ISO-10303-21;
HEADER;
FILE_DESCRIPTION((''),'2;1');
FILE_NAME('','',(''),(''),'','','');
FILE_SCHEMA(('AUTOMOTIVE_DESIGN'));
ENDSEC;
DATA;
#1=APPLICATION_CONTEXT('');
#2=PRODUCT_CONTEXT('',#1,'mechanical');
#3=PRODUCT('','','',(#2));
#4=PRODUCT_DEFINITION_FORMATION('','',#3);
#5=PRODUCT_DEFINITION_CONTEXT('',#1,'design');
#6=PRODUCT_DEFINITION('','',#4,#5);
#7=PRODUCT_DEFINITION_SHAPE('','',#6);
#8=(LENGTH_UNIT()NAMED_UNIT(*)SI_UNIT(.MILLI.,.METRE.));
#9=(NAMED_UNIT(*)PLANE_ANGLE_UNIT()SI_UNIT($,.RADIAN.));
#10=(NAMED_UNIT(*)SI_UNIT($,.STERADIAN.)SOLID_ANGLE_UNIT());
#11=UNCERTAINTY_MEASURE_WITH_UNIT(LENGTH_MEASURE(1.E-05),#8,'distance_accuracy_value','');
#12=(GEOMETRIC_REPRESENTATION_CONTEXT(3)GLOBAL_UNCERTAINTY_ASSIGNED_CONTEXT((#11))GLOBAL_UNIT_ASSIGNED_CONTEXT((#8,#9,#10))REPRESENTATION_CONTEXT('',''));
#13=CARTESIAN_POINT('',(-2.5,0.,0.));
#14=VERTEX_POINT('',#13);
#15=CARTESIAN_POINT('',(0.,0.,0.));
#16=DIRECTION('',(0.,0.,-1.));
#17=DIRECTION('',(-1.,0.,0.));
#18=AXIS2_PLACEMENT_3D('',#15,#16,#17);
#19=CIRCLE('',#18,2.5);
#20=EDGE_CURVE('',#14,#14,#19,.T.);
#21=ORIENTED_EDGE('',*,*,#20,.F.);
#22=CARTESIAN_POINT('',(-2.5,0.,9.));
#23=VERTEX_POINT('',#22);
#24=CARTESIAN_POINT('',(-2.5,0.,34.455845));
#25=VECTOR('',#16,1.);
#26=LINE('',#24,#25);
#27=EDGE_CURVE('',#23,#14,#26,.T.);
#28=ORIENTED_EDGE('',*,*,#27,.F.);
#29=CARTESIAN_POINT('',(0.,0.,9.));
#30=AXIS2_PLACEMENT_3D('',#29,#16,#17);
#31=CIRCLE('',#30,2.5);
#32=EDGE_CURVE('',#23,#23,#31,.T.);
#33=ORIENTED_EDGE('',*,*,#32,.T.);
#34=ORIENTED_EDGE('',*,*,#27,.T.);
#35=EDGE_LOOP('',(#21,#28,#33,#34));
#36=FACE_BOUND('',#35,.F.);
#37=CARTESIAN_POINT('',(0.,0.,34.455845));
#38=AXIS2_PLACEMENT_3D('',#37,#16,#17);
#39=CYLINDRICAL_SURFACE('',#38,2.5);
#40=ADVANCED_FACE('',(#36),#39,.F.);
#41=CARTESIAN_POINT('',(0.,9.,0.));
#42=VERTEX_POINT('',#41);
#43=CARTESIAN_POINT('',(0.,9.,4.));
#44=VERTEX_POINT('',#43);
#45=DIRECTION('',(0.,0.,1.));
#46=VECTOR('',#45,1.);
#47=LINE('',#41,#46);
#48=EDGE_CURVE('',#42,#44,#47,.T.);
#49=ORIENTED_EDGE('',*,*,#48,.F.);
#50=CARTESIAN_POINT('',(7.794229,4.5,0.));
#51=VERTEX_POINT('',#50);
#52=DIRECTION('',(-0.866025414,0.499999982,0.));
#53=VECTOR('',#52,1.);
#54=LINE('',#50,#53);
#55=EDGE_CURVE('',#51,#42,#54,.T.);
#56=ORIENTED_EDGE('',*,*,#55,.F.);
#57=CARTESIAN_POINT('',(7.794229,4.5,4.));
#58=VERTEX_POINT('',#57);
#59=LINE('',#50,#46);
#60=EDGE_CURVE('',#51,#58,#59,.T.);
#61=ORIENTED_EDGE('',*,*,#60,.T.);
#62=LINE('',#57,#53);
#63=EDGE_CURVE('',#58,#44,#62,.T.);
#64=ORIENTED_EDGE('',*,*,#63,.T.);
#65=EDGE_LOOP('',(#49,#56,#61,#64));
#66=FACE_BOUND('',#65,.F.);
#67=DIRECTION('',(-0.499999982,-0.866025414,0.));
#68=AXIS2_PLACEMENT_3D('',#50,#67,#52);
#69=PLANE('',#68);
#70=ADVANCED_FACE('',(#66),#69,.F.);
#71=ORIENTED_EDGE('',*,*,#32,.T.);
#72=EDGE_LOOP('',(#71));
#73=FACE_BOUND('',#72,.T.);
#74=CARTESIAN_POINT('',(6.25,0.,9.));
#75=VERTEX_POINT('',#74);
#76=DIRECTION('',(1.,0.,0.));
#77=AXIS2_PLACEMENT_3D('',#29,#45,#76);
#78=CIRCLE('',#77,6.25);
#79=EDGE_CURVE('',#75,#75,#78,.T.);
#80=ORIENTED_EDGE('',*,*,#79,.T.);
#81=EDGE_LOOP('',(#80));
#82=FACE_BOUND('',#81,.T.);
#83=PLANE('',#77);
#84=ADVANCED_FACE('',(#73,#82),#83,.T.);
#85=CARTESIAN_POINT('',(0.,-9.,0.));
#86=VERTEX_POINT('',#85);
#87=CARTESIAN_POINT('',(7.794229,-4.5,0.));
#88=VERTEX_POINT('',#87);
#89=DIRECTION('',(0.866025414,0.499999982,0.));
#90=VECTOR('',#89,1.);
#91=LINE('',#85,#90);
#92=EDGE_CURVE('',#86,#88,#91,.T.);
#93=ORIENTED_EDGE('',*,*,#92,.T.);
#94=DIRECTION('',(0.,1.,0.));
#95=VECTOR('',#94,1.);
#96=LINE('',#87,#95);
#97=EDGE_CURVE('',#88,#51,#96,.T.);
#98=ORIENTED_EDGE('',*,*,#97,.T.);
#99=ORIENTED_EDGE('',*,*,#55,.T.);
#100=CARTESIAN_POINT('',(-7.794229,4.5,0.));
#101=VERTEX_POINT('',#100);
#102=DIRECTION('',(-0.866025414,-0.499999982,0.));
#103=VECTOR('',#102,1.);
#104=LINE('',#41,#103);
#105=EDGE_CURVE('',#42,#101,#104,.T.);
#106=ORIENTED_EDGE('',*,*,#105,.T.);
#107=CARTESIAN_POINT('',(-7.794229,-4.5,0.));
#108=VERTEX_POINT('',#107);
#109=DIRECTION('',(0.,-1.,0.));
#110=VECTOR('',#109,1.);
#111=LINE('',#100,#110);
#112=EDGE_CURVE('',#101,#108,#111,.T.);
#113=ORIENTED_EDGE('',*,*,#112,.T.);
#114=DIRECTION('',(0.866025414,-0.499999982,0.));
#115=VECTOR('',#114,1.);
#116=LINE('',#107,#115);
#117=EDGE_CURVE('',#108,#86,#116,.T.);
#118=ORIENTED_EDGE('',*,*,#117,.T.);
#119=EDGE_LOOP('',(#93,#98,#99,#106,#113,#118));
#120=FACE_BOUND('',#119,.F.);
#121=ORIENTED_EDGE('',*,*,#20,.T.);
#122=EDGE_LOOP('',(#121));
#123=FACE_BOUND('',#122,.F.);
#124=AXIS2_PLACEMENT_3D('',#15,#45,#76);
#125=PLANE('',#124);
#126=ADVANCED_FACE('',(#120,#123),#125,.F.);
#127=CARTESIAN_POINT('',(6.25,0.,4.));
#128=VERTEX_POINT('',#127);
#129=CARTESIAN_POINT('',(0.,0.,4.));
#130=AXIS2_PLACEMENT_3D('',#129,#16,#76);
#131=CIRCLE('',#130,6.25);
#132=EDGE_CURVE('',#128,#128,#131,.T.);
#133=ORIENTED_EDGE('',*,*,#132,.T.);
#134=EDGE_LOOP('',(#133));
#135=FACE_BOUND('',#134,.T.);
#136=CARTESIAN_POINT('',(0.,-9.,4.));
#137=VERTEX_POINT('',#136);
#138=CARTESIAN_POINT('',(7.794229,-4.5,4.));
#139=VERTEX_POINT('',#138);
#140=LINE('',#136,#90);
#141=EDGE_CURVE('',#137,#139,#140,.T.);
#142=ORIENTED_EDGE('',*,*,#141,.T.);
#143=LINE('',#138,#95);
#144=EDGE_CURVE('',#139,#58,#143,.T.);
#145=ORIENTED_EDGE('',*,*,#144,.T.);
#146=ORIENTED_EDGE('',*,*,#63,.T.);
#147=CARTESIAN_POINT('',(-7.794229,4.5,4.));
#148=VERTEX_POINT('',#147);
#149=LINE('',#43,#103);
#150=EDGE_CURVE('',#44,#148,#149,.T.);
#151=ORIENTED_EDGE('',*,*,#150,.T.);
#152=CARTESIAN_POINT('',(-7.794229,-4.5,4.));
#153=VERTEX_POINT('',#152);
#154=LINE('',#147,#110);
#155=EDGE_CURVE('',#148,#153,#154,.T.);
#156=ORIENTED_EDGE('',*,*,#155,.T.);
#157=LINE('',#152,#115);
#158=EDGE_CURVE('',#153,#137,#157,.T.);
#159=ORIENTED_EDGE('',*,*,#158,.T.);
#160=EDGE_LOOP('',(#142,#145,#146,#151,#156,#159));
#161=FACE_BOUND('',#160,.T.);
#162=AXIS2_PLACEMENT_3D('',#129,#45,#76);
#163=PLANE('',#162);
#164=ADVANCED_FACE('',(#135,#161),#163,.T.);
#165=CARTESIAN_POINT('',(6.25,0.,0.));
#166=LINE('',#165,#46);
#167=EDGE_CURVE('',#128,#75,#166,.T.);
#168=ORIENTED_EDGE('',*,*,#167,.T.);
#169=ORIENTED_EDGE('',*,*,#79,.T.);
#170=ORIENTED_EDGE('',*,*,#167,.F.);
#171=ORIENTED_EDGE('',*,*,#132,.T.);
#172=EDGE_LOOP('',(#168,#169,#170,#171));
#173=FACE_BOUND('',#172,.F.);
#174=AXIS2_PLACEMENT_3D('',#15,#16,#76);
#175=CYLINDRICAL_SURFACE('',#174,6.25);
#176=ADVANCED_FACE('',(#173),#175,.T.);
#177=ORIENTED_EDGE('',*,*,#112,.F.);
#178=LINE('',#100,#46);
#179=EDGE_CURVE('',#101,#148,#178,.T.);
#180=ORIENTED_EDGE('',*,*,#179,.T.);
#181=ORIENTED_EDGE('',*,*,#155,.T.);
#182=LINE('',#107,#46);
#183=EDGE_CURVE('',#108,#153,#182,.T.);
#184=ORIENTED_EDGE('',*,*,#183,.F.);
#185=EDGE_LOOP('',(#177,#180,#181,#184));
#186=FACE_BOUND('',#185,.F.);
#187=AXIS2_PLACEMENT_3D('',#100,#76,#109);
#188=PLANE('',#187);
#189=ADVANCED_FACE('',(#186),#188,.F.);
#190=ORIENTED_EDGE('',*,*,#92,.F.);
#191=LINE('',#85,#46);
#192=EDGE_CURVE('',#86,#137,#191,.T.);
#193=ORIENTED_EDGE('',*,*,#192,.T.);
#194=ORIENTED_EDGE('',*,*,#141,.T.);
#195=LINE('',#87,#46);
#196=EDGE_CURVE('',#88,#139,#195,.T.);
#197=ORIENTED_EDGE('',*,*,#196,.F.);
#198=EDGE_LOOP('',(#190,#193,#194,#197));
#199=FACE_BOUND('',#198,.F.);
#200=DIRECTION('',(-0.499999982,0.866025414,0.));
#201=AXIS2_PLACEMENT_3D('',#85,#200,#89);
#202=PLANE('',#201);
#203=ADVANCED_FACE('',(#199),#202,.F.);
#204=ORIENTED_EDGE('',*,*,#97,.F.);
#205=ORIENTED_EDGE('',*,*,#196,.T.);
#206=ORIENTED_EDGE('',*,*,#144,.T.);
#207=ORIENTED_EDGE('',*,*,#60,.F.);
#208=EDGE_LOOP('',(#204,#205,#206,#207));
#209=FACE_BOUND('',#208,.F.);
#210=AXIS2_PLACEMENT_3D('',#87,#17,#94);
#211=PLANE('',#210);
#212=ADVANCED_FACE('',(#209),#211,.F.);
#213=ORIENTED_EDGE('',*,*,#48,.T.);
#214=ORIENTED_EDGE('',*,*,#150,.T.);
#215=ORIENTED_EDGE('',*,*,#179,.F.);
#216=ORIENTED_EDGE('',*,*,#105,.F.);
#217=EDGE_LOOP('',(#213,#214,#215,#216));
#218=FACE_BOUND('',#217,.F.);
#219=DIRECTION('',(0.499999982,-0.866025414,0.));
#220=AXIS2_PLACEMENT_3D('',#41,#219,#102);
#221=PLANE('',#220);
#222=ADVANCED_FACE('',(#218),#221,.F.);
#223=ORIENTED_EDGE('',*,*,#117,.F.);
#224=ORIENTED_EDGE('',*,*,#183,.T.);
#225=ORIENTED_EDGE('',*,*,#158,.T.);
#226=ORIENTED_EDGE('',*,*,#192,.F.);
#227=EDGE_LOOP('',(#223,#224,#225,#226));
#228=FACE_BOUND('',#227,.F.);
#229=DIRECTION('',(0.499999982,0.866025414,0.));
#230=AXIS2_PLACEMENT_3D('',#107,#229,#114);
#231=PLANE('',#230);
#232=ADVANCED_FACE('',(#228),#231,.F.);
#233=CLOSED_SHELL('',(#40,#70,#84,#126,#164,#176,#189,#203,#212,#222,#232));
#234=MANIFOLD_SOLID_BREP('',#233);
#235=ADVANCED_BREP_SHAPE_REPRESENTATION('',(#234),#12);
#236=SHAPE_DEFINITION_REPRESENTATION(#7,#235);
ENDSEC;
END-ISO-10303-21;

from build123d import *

# Parameters (mm, degrees)
F2_DEPTH = 4
F1_R     = 6.25
F3_DEPTH = 9
F5_D     = 5


with BuildPart() as f2:
    # F0 (on Top) → F2 (new body)
    with BuildSketch(Plane.XY):
        Polygon((-7.794229, 4.5), (-7.794229, -4.5), (0, -9), (7.794229, -4.5), (7.794229, 4.5), (0, 9), align=None)
    extrude(amount=F2_DEPTH)

    # F1 (on Top) → F3 (join)
    with BuildSketch(Plane.XY):
        Circle(F1_R)
    extrude(amount=F3_DEPTH)

    # F5 (through all)
    with Locations(Plane.XY.offset(9)):
        with Locations((0, 0)):
            Hole(F5_D / 2)


solid = f2.part
